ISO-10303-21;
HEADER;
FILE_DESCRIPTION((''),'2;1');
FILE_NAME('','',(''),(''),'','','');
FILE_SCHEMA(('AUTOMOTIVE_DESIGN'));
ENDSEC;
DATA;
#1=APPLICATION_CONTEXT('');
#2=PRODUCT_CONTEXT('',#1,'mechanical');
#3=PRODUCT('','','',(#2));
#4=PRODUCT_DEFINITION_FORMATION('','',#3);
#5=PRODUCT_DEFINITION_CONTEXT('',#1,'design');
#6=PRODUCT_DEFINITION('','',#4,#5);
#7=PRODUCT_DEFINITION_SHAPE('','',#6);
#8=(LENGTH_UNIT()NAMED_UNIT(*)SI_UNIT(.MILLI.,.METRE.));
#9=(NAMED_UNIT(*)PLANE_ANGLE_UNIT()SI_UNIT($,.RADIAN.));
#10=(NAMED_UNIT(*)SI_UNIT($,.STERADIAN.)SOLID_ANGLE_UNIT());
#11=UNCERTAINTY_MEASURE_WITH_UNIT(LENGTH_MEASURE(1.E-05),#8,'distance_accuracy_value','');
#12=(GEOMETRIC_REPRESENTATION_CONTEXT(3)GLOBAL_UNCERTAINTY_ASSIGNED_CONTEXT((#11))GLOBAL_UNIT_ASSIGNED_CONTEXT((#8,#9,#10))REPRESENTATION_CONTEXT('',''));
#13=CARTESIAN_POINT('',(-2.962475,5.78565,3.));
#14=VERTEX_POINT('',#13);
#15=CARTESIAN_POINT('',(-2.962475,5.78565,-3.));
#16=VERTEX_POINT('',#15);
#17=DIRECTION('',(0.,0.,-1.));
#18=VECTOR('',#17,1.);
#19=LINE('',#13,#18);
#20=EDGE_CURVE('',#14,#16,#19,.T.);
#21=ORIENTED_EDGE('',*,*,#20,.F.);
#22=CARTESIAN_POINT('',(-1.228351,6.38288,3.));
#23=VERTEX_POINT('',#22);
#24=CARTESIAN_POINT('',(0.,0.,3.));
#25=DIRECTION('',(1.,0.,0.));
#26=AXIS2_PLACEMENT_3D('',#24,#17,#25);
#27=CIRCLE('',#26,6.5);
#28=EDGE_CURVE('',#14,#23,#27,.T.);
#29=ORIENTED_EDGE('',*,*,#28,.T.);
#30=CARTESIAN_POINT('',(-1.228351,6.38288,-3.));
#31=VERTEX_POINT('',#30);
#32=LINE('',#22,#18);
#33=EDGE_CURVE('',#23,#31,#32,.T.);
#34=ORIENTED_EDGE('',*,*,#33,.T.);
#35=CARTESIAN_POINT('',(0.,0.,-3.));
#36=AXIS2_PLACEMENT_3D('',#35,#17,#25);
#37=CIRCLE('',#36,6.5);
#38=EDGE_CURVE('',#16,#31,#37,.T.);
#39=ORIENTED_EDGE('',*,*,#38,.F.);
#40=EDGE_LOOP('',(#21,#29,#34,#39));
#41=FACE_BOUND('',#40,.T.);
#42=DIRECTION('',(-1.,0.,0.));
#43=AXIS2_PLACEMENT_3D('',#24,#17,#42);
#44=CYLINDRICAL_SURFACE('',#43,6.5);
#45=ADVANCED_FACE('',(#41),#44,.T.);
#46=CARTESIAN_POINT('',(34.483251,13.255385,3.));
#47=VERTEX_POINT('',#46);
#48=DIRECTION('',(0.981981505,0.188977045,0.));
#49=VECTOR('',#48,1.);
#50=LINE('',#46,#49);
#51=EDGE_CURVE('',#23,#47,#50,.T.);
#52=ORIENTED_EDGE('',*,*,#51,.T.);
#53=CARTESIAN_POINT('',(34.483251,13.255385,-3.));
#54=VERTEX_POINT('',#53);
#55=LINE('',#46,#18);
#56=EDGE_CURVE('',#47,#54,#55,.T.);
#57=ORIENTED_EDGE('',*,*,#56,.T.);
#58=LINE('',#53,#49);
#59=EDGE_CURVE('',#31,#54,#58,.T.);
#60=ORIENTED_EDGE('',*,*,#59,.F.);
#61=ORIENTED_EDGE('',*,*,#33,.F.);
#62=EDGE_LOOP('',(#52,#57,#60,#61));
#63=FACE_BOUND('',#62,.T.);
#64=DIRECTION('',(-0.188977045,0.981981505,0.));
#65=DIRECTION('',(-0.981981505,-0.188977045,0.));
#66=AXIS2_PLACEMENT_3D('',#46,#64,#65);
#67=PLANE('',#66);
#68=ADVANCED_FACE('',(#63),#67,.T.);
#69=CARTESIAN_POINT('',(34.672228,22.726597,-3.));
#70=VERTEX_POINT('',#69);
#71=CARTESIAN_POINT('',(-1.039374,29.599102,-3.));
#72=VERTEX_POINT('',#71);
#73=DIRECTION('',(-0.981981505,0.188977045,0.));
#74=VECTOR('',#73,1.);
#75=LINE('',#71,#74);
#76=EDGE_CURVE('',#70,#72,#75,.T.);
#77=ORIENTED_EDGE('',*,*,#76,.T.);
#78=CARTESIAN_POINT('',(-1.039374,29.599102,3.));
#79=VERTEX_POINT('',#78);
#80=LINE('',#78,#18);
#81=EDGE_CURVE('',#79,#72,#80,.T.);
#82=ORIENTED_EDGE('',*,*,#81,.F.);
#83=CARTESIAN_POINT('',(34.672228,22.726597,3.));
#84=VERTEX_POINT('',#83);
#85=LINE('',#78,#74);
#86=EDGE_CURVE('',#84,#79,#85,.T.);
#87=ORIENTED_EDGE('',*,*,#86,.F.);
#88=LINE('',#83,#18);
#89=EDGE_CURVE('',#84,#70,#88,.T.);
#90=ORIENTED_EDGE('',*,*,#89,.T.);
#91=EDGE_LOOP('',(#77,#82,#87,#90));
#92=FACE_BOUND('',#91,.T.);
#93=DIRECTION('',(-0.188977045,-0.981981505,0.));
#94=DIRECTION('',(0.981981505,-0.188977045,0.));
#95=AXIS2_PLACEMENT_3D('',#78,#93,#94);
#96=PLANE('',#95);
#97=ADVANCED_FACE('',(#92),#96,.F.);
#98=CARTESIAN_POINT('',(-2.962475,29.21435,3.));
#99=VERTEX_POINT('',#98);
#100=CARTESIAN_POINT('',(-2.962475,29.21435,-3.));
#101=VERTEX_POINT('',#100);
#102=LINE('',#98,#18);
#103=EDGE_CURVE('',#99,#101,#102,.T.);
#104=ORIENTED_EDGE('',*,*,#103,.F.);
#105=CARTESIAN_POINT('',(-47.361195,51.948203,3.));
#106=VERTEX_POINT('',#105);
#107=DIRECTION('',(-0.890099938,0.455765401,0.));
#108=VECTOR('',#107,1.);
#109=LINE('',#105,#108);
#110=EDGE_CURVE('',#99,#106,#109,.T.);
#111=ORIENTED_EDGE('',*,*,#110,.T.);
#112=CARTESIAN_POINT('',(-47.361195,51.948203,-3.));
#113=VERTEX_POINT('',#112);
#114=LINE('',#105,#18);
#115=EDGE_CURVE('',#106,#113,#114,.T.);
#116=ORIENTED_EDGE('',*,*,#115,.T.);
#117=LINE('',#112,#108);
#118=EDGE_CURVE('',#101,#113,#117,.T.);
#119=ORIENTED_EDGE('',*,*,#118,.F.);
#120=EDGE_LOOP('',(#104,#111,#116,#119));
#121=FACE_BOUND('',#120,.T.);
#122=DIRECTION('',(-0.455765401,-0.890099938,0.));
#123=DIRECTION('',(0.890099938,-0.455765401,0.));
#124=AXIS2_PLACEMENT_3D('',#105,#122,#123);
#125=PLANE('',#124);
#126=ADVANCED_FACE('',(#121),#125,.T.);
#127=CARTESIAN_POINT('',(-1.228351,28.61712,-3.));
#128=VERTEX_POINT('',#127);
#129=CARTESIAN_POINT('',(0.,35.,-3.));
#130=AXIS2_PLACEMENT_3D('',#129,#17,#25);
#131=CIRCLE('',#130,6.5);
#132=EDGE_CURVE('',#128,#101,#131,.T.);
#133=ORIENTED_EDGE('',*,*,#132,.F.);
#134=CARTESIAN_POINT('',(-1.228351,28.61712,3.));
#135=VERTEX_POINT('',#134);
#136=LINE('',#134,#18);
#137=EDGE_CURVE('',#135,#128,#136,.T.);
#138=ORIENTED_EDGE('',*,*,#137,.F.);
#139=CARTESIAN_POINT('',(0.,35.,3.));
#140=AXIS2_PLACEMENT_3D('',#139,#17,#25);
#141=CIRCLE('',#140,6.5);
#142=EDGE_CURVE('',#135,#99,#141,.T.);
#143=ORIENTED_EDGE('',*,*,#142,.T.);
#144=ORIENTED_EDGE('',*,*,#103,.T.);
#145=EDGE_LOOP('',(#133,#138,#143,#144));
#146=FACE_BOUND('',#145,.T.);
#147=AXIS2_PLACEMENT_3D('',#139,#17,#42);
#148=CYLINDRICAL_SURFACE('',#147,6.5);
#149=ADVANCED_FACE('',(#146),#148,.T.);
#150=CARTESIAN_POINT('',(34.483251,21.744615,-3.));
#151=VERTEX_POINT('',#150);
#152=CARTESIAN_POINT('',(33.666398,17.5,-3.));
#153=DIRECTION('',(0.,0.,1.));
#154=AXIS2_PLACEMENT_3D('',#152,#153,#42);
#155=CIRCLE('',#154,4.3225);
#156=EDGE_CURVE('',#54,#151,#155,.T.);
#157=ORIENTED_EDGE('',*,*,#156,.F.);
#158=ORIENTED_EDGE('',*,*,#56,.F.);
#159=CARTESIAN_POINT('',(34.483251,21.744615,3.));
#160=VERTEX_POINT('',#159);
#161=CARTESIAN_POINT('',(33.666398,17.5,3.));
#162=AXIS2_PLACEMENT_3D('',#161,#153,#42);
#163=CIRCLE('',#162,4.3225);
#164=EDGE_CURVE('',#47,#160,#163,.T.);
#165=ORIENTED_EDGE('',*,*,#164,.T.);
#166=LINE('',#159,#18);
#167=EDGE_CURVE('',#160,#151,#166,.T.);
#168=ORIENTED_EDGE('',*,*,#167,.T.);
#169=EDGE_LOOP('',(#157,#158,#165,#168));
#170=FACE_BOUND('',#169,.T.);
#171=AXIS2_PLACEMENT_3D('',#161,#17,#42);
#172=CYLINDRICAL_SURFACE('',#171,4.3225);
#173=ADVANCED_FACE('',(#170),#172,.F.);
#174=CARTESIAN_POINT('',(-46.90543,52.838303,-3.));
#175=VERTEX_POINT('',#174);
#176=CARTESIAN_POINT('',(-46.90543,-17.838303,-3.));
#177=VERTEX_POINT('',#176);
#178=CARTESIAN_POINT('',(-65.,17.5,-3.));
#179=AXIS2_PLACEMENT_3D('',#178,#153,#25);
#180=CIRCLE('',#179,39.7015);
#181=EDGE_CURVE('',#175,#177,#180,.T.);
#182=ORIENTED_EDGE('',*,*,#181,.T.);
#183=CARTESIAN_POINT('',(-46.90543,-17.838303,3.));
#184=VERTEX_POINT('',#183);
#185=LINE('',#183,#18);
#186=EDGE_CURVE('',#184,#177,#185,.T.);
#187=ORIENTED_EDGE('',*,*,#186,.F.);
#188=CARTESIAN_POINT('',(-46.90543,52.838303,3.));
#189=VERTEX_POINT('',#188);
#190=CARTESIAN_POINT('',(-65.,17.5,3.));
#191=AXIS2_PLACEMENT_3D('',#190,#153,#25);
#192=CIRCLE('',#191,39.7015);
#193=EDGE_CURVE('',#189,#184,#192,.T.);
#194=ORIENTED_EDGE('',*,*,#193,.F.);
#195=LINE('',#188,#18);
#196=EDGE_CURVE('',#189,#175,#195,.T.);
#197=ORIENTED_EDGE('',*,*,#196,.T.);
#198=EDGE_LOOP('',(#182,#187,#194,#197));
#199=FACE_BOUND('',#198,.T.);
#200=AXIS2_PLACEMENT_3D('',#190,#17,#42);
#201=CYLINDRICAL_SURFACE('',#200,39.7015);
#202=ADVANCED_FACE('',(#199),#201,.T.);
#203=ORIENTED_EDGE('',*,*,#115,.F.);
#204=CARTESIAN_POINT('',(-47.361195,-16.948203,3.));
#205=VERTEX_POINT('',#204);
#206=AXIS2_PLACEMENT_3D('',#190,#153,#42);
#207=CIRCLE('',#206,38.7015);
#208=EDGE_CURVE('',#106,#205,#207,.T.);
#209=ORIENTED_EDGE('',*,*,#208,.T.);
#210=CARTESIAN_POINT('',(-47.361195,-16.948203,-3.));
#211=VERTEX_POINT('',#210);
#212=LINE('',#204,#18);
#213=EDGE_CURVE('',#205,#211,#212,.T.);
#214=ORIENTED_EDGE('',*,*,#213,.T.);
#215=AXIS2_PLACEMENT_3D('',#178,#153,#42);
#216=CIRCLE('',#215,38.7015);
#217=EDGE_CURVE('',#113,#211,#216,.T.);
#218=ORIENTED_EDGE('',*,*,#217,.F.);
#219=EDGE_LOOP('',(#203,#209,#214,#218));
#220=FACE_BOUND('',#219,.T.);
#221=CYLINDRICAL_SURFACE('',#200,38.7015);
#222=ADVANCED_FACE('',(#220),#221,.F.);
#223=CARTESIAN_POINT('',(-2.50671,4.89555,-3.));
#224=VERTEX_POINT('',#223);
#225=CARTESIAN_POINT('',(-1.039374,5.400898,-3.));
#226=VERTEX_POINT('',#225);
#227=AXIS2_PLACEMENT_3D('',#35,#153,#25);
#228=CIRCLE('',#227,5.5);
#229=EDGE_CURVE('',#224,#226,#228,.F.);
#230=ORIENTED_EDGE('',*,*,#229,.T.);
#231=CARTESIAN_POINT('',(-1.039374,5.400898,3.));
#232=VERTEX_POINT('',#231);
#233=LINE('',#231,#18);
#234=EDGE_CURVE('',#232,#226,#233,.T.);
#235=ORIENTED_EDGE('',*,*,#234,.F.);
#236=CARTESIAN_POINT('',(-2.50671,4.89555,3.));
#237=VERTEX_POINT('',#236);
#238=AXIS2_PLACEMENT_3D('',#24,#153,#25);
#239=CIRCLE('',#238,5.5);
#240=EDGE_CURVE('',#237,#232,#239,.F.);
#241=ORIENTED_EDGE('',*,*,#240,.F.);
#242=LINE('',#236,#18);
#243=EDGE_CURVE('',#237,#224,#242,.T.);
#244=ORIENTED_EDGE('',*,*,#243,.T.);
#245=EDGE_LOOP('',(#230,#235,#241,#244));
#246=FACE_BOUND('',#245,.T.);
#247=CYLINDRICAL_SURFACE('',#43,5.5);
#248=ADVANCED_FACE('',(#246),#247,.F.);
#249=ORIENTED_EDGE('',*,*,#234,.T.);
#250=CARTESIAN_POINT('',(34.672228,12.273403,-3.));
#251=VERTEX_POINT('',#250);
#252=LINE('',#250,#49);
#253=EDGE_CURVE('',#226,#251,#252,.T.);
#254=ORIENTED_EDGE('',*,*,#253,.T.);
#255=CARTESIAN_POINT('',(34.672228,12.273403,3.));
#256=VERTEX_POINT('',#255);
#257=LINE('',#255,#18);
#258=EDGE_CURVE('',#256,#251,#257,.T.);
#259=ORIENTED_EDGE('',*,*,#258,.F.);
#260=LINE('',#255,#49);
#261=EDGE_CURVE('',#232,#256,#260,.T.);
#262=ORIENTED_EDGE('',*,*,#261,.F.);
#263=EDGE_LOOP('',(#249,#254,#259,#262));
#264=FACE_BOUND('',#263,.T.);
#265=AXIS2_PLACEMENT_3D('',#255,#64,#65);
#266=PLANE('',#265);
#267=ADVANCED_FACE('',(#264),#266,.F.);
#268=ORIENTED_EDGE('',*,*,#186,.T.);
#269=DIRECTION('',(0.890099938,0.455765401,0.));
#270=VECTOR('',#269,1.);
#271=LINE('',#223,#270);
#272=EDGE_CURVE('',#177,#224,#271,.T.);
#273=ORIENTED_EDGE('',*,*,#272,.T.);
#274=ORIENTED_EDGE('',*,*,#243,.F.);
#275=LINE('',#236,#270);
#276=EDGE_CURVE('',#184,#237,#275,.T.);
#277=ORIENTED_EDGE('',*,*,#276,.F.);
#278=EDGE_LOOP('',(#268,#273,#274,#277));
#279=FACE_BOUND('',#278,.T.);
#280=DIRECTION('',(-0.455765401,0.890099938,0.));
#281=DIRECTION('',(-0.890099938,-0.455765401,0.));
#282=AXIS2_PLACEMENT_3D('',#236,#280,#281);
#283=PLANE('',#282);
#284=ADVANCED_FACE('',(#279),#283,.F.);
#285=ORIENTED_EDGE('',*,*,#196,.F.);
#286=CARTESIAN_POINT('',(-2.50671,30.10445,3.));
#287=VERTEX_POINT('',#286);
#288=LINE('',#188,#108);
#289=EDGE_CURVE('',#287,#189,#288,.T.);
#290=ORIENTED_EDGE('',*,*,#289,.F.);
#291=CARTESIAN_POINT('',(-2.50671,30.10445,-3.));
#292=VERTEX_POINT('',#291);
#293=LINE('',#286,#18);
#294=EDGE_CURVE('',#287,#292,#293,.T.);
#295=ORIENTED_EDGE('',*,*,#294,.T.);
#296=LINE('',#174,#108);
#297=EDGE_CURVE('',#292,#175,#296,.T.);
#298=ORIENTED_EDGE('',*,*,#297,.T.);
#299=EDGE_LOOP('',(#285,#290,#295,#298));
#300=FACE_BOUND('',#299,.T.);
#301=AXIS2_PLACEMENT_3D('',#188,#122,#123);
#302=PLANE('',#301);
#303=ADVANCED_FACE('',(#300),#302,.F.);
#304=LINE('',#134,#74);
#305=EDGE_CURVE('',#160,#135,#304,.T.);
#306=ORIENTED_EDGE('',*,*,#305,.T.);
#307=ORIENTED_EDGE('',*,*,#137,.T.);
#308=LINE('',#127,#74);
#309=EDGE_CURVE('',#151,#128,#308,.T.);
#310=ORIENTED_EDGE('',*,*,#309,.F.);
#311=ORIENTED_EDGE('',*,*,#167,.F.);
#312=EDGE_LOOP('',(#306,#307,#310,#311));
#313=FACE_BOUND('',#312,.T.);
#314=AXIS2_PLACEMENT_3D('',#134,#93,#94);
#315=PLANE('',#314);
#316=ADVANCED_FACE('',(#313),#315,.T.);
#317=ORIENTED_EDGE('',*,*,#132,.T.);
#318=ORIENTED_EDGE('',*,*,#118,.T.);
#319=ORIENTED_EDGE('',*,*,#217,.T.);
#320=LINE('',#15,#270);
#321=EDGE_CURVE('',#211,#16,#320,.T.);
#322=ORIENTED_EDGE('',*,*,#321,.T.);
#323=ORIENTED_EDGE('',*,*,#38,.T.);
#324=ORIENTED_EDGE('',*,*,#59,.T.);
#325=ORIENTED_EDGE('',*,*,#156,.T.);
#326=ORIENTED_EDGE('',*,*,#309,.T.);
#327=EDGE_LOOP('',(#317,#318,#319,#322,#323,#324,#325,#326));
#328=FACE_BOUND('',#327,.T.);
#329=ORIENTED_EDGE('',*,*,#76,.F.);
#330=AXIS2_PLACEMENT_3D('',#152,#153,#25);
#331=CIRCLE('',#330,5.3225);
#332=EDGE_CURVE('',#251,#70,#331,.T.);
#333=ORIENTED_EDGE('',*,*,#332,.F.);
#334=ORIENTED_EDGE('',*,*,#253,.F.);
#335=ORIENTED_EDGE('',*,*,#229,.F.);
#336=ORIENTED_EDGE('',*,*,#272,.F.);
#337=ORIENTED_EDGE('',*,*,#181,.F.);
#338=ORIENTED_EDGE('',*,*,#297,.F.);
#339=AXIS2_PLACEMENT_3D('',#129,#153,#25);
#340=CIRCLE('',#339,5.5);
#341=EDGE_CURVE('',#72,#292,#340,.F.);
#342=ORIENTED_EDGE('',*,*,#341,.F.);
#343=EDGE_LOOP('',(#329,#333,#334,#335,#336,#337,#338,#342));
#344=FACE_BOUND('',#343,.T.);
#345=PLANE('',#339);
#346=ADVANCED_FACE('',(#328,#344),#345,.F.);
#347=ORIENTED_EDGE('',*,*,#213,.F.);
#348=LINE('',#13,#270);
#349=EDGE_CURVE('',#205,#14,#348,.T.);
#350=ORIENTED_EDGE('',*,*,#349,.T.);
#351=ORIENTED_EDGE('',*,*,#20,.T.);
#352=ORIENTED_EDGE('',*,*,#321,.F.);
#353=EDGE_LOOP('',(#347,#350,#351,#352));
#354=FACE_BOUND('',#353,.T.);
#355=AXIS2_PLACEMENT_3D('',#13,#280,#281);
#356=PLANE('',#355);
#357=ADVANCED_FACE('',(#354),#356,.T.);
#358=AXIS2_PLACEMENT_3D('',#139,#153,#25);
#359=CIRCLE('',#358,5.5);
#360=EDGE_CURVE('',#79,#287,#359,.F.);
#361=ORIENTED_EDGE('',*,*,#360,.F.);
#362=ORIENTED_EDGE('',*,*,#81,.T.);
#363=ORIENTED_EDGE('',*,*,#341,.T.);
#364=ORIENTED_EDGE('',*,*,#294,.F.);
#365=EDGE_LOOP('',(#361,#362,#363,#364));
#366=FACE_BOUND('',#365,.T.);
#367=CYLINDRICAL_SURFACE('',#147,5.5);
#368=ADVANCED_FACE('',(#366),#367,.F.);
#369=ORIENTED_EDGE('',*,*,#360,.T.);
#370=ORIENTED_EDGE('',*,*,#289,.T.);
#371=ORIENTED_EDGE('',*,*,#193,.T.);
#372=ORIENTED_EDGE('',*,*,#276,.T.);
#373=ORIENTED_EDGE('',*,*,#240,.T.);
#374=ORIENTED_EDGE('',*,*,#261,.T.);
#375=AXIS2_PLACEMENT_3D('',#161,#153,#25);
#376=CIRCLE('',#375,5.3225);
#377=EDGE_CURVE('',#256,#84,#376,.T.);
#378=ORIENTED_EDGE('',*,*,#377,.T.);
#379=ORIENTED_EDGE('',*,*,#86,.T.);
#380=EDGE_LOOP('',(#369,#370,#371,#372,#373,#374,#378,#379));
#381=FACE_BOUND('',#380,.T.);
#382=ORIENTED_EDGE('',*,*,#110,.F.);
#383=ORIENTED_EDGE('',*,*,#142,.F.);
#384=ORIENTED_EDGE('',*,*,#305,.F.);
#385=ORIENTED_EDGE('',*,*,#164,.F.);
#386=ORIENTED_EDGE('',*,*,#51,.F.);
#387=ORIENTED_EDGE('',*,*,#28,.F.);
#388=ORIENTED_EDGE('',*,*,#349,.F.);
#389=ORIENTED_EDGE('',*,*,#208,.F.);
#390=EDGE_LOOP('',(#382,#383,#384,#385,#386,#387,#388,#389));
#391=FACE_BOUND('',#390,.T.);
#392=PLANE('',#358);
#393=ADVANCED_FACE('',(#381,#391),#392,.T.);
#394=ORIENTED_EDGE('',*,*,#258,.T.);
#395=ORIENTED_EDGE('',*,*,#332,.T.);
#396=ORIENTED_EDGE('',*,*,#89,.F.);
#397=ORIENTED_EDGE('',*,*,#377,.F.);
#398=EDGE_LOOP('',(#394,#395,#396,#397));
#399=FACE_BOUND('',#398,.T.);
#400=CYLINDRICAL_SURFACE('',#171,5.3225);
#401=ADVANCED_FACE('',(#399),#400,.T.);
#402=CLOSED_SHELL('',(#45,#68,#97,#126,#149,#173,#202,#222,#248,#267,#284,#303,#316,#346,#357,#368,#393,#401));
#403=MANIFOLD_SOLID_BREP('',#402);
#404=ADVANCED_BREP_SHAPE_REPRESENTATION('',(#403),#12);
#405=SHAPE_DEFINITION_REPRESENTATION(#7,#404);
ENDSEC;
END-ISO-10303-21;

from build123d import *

# Parameters (mm, degrees)
EXTRUDE_THIN1_DEPTH = 3


with BuildPart() as part:
    # Sketch2 → Extrude-Thin1 (new, symmetric)
    with BuildSketch(Plane.XY):
        with BuildLine():
            Line((-46.905429915, 52.838302672), (-2.506709708, 30.104450343))
            ThreePointArc((-2.506709708, 30.104450343), (-1.790955408, 29.799761666), (-1.039373746, 29.599101721))
            Line((-1.039373746, 29.599101721), (34.672228001, 22.726596561))
            ThreePointArc((34.672228001, 22.726596561), (38.98889768, 17.5), (34.672228001, 12.273403439))
            Line((34.672228001, 12.273403439), (-1.039373746, 5.400898279))
            ThreePointArc((-1.039373746, 5.400898279), (-1.790955408, 5.200238334), (-2.506709708, 4.895549657))
            Line((-2.506709708, 4.895549657), (-46.905429915, -17.838302672))
            ThreePointArc((-46.905429915, -17.838302672), (-104.7015, 17.5), (-46.905429915, 52.838302672))
        make_face()
        with BuildLine():
            Line((-47.361195317, 51.948202734), (-2.962475109, 29.214350406))
            ThreePointArc((-2.962475109, 29.214350406), (-2.116583664, 28.854263787), (-1.228350791, 28.617120216))
            Line((-1.228350791, 28.617120216), (34.483250956, 21.744615056))
            ThreePointArc((34.483250956, 21.744615056), (37.98889768, 17.5), (34.483250956, 13.255384944))
            Line((34.483250956, 13.255384944), (-1.228350791, 6.382879784))
            ThreePointArc((-1.228350791, 6.382879784), (-2.116583664, 6.145736213), (-2.962475109, 5.785649594))
            Line((-2.962475109, 5.785649594), (-47.361195317, -16.948202734))
            ThreePointArc((-47.361195317, -16.948202734), (-103.7015, 17.5), (-47.361195317, 51.948202734))
        make_face(mode=Mode.SUBTRACT)
    extrude(amount=EXTRUDE_THIN1_DEPTH, both=True)


solid = part.part
